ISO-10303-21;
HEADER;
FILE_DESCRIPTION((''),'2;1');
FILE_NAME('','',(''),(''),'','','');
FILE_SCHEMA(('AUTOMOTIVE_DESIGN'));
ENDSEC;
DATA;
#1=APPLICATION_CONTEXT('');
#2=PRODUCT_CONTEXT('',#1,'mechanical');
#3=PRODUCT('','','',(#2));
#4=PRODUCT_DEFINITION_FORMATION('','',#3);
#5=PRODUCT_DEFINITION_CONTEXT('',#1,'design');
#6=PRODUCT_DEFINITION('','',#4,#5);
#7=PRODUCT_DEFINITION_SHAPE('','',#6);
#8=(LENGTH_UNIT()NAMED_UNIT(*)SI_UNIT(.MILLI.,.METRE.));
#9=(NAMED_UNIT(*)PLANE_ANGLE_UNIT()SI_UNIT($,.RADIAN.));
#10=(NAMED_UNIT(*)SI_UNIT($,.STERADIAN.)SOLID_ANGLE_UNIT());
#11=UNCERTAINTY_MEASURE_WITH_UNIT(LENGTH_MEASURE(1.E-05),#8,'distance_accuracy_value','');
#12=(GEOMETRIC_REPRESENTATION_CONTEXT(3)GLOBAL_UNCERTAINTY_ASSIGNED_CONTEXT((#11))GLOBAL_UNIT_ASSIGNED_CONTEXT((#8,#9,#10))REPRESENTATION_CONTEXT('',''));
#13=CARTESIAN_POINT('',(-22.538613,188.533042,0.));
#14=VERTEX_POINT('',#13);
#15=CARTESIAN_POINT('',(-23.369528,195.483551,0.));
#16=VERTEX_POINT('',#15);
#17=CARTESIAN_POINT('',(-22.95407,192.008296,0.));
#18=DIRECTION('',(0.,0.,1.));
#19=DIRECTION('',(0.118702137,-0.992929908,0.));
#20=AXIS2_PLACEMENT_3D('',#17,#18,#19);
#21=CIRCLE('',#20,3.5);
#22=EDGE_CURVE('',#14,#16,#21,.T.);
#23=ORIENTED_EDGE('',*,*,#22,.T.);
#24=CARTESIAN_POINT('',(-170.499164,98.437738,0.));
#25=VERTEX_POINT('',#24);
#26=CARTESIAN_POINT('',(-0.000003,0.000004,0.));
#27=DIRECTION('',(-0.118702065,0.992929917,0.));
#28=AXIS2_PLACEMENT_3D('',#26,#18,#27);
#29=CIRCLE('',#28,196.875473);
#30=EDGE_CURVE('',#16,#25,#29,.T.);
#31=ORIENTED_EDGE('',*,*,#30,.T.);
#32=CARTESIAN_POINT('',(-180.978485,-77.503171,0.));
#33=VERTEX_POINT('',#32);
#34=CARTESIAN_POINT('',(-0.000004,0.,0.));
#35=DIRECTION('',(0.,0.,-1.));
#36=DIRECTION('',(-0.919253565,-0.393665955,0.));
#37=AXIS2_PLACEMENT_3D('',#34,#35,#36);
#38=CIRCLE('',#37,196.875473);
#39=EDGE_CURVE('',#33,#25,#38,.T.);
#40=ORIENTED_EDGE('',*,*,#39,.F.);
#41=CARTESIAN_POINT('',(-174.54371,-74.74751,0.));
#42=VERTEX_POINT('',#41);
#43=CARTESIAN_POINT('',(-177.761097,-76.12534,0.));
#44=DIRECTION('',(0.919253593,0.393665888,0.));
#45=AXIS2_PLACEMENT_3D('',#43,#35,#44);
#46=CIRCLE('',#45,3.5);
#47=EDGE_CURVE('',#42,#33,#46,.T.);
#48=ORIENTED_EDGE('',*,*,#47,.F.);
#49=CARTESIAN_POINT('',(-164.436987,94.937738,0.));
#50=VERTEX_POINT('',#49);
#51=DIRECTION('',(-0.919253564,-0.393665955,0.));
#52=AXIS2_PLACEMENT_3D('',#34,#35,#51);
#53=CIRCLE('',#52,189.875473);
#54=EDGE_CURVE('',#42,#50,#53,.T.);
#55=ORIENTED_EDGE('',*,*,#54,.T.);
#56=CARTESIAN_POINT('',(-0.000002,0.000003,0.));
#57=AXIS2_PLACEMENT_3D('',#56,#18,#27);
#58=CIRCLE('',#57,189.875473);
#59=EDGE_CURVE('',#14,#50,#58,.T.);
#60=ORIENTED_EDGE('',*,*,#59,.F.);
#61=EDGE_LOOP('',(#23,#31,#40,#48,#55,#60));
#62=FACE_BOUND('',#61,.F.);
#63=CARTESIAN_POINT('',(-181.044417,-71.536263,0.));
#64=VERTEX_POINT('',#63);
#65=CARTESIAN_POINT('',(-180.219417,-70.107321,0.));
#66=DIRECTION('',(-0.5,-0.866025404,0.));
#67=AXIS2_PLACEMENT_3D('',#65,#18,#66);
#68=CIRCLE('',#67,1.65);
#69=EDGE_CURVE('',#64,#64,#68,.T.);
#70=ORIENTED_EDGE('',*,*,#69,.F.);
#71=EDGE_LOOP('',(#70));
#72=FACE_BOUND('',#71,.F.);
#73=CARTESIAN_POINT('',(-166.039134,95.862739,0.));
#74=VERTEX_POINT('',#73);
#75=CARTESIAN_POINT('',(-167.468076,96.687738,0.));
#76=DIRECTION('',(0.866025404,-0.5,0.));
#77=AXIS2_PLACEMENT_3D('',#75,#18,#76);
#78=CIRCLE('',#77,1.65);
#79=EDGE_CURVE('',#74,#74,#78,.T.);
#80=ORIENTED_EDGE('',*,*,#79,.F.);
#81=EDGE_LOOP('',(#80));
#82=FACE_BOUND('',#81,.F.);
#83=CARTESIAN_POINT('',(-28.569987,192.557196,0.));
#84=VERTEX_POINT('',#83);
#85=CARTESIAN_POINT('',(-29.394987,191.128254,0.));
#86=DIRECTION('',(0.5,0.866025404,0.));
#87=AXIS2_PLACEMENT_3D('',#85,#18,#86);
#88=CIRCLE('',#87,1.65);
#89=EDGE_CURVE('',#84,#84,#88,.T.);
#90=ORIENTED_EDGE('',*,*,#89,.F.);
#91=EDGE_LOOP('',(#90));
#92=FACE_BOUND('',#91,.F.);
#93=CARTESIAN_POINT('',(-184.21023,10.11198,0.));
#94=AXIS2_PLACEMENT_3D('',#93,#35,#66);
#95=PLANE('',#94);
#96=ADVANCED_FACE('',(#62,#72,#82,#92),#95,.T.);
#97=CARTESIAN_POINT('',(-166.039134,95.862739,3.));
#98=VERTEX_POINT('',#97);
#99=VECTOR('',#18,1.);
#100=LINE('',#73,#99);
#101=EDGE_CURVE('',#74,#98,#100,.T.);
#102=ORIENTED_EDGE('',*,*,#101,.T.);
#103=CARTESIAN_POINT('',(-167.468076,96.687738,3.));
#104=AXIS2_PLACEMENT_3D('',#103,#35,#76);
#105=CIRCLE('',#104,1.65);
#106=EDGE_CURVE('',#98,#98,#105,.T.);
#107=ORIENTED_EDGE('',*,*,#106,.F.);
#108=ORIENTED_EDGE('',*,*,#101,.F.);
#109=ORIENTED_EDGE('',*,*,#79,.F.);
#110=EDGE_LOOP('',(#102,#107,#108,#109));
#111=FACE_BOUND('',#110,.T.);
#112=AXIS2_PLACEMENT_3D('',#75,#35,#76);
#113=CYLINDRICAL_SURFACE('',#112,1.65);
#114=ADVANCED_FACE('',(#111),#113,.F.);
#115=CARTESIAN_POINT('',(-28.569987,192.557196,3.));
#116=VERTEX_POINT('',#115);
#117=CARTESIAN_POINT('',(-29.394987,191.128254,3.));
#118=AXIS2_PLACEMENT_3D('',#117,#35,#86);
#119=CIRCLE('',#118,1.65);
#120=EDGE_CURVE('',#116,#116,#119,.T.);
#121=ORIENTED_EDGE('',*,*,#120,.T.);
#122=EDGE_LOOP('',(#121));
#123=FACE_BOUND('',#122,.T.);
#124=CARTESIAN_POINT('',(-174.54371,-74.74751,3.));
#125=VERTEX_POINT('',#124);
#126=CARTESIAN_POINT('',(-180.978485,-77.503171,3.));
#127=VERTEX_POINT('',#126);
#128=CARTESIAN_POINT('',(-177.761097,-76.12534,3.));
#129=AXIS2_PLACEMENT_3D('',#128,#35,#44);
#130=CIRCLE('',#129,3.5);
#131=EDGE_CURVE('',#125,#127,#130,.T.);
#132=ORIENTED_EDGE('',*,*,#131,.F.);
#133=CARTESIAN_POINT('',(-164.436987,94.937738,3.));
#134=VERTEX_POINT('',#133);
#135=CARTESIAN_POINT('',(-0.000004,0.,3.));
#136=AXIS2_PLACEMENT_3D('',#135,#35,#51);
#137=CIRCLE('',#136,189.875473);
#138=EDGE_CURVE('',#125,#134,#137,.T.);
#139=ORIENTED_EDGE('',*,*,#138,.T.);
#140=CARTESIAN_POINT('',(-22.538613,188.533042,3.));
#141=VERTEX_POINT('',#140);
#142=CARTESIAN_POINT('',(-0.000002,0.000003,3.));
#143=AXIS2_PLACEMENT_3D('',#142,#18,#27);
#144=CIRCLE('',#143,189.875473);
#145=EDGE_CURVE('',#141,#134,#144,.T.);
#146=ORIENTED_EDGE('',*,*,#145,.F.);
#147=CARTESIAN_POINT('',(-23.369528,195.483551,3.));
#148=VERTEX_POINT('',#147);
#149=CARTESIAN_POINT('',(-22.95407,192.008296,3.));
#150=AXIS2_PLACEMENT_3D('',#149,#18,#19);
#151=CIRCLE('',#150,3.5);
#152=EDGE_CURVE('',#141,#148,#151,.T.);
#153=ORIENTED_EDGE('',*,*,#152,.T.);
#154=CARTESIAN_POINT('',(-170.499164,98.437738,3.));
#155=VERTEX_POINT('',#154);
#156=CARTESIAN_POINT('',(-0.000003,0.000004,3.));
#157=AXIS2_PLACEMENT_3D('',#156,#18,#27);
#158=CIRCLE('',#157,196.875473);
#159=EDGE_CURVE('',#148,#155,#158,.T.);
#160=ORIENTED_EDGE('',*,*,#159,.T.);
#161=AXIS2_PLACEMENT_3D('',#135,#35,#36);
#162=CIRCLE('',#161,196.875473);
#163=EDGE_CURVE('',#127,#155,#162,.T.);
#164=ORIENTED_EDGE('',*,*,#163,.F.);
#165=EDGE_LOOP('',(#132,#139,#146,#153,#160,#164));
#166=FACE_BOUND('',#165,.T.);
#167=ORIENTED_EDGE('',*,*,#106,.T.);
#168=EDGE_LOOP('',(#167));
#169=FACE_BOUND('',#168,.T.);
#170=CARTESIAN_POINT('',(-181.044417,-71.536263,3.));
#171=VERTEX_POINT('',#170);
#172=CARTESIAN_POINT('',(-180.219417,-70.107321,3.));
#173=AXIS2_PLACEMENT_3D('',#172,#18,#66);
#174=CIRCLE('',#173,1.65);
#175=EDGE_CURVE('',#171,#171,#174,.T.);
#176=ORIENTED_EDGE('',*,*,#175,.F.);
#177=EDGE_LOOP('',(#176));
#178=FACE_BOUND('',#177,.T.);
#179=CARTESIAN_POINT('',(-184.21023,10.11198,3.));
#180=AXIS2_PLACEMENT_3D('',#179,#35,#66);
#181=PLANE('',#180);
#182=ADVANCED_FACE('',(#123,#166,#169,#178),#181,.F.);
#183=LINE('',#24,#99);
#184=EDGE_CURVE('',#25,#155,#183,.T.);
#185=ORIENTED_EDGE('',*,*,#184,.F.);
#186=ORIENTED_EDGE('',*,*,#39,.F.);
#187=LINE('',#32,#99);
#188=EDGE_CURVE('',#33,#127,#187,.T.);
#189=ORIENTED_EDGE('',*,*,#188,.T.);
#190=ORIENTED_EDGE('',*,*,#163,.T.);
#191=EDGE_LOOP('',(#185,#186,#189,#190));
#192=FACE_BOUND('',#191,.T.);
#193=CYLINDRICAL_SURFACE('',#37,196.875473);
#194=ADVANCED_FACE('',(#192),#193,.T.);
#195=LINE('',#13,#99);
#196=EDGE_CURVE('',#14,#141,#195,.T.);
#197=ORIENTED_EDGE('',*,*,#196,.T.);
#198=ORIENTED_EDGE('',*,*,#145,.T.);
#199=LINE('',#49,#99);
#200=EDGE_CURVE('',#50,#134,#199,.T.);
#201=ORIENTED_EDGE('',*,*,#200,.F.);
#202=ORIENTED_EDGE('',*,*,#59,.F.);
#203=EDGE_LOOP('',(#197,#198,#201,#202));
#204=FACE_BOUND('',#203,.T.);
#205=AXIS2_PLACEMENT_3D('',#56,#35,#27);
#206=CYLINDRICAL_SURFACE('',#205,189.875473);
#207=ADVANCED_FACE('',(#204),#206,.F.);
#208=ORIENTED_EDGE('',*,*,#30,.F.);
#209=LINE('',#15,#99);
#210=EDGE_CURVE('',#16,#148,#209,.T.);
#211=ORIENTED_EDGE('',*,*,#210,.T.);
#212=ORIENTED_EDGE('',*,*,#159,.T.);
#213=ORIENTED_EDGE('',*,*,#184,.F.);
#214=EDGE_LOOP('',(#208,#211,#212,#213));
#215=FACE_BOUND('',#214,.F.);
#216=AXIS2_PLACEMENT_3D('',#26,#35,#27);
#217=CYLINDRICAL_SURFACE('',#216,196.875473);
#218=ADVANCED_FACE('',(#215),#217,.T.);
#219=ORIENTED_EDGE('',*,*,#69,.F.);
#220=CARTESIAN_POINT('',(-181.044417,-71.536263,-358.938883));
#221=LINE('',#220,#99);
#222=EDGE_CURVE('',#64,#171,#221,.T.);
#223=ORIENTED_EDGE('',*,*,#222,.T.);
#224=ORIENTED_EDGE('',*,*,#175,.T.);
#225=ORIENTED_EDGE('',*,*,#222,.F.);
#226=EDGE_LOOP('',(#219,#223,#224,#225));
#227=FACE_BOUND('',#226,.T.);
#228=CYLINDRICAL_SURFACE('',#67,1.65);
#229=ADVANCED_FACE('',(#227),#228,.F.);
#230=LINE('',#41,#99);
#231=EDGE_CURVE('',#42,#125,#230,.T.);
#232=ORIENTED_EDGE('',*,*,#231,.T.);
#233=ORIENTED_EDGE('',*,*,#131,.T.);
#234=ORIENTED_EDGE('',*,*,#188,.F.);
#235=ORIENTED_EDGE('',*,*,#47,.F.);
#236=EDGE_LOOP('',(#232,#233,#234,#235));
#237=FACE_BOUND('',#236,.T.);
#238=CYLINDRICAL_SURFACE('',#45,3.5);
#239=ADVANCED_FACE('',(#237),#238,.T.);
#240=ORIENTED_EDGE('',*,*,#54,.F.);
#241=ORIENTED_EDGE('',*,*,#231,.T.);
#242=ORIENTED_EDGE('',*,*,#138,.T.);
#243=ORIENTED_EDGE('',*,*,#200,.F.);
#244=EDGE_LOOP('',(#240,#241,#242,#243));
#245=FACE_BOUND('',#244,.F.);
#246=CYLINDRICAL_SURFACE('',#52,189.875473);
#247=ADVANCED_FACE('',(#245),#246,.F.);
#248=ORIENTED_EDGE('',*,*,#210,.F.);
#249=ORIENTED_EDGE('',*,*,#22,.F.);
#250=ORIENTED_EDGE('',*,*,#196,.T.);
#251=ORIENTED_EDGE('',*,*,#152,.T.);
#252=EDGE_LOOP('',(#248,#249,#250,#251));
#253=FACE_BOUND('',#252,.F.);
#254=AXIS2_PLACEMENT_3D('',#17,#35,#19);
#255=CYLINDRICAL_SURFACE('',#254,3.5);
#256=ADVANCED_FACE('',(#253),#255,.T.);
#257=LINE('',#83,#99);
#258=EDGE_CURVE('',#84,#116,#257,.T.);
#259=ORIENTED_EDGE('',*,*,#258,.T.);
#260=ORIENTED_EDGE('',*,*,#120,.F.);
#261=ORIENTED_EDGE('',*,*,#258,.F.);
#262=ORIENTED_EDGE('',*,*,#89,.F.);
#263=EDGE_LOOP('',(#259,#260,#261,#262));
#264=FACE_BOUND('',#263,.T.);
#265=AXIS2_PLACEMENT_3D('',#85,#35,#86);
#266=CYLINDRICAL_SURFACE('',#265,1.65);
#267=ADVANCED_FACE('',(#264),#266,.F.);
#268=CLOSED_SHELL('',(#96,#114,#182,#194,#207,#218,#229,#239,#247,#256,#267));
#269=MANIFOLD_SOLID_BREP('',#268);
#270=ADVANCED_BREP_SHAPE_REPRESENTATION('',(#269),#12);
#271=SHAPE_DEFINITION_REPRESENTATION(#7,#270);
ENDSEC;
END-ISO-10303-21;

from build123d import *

# Parameters (mm, degrees)
PAD015_DEPTH                        = 3
SKETCH054_R                         = 1.65
POCKET018_DEPTH                     = 358.938883
POCKET018_DEPTH_BACK                = 361.938883
BODY001003005003004_PLACEMENT_ANGLE = 60


with BuildPart() as part:
    # Sketch053 → Pad015 (new body)
    with BuildSketch(Plane.XY):
        with BuildLine():
            ThreePointArc((152.005097, 113.785532), (84.992984, 169.790723), (0, 189.875477))
            Line((0, 189.875477), (0, 196.875477))
            ThreePointArc((157.608957, 117.98038), (88.126358, 176.050273), (0, 196.875477))
            ThreePointArc((152.005097, 113.785532), (156.904451, 113.081026), (157.608957, 117.98038))
        make_face()
    pad015 = extrude(amount=PAD015_DEPTH)

    # Sketch054 → Pocket018 (cut, two sides)
    with BuildSketch(Plane.XY) as pocket018_sk:
        with Locations((150.82443, 121.020933)):
            Circle(SKETCH054_R)
        with BuildLine():
            ThreePointArc((0, 191.725477), (1.65, 193.375477), (0, 195.025477))
            Line((0, 191.725477), (0, 195.025477))
        make_face()
    pocket018 = extrude(amount=-POCKET018_DEPTH, mode=Mode.SUBTRACT) + extrude(pocket018_sk.sketch, amount=POCKET018_DEPTH_BACK, mode=Mode.SUBTRACT)

    # Mirrored020: Pad015, Pocket018 across Sketch053 V_Axis
    add(pad015.mirror(Plane(origin=(0, 0, 0), x_dir=(0, 0, 1), z_dir=(1, 0, 0))))
    add(pocket018.mirror(Plane(origin=(0, 0, 0), x_dir=(0, 0, 1), z_dir=(1, 0, 0))), mode=Mode.SUBTRACT)


with BuildPart() as part_1:
    # Body001003005003004 placement: moved
    add(part.part.rotate(Axis((0, 0, 0), (0, 0, 1)), BODY001003005003004_PLACEMENT_ANGLE))


solid = part_1.part
